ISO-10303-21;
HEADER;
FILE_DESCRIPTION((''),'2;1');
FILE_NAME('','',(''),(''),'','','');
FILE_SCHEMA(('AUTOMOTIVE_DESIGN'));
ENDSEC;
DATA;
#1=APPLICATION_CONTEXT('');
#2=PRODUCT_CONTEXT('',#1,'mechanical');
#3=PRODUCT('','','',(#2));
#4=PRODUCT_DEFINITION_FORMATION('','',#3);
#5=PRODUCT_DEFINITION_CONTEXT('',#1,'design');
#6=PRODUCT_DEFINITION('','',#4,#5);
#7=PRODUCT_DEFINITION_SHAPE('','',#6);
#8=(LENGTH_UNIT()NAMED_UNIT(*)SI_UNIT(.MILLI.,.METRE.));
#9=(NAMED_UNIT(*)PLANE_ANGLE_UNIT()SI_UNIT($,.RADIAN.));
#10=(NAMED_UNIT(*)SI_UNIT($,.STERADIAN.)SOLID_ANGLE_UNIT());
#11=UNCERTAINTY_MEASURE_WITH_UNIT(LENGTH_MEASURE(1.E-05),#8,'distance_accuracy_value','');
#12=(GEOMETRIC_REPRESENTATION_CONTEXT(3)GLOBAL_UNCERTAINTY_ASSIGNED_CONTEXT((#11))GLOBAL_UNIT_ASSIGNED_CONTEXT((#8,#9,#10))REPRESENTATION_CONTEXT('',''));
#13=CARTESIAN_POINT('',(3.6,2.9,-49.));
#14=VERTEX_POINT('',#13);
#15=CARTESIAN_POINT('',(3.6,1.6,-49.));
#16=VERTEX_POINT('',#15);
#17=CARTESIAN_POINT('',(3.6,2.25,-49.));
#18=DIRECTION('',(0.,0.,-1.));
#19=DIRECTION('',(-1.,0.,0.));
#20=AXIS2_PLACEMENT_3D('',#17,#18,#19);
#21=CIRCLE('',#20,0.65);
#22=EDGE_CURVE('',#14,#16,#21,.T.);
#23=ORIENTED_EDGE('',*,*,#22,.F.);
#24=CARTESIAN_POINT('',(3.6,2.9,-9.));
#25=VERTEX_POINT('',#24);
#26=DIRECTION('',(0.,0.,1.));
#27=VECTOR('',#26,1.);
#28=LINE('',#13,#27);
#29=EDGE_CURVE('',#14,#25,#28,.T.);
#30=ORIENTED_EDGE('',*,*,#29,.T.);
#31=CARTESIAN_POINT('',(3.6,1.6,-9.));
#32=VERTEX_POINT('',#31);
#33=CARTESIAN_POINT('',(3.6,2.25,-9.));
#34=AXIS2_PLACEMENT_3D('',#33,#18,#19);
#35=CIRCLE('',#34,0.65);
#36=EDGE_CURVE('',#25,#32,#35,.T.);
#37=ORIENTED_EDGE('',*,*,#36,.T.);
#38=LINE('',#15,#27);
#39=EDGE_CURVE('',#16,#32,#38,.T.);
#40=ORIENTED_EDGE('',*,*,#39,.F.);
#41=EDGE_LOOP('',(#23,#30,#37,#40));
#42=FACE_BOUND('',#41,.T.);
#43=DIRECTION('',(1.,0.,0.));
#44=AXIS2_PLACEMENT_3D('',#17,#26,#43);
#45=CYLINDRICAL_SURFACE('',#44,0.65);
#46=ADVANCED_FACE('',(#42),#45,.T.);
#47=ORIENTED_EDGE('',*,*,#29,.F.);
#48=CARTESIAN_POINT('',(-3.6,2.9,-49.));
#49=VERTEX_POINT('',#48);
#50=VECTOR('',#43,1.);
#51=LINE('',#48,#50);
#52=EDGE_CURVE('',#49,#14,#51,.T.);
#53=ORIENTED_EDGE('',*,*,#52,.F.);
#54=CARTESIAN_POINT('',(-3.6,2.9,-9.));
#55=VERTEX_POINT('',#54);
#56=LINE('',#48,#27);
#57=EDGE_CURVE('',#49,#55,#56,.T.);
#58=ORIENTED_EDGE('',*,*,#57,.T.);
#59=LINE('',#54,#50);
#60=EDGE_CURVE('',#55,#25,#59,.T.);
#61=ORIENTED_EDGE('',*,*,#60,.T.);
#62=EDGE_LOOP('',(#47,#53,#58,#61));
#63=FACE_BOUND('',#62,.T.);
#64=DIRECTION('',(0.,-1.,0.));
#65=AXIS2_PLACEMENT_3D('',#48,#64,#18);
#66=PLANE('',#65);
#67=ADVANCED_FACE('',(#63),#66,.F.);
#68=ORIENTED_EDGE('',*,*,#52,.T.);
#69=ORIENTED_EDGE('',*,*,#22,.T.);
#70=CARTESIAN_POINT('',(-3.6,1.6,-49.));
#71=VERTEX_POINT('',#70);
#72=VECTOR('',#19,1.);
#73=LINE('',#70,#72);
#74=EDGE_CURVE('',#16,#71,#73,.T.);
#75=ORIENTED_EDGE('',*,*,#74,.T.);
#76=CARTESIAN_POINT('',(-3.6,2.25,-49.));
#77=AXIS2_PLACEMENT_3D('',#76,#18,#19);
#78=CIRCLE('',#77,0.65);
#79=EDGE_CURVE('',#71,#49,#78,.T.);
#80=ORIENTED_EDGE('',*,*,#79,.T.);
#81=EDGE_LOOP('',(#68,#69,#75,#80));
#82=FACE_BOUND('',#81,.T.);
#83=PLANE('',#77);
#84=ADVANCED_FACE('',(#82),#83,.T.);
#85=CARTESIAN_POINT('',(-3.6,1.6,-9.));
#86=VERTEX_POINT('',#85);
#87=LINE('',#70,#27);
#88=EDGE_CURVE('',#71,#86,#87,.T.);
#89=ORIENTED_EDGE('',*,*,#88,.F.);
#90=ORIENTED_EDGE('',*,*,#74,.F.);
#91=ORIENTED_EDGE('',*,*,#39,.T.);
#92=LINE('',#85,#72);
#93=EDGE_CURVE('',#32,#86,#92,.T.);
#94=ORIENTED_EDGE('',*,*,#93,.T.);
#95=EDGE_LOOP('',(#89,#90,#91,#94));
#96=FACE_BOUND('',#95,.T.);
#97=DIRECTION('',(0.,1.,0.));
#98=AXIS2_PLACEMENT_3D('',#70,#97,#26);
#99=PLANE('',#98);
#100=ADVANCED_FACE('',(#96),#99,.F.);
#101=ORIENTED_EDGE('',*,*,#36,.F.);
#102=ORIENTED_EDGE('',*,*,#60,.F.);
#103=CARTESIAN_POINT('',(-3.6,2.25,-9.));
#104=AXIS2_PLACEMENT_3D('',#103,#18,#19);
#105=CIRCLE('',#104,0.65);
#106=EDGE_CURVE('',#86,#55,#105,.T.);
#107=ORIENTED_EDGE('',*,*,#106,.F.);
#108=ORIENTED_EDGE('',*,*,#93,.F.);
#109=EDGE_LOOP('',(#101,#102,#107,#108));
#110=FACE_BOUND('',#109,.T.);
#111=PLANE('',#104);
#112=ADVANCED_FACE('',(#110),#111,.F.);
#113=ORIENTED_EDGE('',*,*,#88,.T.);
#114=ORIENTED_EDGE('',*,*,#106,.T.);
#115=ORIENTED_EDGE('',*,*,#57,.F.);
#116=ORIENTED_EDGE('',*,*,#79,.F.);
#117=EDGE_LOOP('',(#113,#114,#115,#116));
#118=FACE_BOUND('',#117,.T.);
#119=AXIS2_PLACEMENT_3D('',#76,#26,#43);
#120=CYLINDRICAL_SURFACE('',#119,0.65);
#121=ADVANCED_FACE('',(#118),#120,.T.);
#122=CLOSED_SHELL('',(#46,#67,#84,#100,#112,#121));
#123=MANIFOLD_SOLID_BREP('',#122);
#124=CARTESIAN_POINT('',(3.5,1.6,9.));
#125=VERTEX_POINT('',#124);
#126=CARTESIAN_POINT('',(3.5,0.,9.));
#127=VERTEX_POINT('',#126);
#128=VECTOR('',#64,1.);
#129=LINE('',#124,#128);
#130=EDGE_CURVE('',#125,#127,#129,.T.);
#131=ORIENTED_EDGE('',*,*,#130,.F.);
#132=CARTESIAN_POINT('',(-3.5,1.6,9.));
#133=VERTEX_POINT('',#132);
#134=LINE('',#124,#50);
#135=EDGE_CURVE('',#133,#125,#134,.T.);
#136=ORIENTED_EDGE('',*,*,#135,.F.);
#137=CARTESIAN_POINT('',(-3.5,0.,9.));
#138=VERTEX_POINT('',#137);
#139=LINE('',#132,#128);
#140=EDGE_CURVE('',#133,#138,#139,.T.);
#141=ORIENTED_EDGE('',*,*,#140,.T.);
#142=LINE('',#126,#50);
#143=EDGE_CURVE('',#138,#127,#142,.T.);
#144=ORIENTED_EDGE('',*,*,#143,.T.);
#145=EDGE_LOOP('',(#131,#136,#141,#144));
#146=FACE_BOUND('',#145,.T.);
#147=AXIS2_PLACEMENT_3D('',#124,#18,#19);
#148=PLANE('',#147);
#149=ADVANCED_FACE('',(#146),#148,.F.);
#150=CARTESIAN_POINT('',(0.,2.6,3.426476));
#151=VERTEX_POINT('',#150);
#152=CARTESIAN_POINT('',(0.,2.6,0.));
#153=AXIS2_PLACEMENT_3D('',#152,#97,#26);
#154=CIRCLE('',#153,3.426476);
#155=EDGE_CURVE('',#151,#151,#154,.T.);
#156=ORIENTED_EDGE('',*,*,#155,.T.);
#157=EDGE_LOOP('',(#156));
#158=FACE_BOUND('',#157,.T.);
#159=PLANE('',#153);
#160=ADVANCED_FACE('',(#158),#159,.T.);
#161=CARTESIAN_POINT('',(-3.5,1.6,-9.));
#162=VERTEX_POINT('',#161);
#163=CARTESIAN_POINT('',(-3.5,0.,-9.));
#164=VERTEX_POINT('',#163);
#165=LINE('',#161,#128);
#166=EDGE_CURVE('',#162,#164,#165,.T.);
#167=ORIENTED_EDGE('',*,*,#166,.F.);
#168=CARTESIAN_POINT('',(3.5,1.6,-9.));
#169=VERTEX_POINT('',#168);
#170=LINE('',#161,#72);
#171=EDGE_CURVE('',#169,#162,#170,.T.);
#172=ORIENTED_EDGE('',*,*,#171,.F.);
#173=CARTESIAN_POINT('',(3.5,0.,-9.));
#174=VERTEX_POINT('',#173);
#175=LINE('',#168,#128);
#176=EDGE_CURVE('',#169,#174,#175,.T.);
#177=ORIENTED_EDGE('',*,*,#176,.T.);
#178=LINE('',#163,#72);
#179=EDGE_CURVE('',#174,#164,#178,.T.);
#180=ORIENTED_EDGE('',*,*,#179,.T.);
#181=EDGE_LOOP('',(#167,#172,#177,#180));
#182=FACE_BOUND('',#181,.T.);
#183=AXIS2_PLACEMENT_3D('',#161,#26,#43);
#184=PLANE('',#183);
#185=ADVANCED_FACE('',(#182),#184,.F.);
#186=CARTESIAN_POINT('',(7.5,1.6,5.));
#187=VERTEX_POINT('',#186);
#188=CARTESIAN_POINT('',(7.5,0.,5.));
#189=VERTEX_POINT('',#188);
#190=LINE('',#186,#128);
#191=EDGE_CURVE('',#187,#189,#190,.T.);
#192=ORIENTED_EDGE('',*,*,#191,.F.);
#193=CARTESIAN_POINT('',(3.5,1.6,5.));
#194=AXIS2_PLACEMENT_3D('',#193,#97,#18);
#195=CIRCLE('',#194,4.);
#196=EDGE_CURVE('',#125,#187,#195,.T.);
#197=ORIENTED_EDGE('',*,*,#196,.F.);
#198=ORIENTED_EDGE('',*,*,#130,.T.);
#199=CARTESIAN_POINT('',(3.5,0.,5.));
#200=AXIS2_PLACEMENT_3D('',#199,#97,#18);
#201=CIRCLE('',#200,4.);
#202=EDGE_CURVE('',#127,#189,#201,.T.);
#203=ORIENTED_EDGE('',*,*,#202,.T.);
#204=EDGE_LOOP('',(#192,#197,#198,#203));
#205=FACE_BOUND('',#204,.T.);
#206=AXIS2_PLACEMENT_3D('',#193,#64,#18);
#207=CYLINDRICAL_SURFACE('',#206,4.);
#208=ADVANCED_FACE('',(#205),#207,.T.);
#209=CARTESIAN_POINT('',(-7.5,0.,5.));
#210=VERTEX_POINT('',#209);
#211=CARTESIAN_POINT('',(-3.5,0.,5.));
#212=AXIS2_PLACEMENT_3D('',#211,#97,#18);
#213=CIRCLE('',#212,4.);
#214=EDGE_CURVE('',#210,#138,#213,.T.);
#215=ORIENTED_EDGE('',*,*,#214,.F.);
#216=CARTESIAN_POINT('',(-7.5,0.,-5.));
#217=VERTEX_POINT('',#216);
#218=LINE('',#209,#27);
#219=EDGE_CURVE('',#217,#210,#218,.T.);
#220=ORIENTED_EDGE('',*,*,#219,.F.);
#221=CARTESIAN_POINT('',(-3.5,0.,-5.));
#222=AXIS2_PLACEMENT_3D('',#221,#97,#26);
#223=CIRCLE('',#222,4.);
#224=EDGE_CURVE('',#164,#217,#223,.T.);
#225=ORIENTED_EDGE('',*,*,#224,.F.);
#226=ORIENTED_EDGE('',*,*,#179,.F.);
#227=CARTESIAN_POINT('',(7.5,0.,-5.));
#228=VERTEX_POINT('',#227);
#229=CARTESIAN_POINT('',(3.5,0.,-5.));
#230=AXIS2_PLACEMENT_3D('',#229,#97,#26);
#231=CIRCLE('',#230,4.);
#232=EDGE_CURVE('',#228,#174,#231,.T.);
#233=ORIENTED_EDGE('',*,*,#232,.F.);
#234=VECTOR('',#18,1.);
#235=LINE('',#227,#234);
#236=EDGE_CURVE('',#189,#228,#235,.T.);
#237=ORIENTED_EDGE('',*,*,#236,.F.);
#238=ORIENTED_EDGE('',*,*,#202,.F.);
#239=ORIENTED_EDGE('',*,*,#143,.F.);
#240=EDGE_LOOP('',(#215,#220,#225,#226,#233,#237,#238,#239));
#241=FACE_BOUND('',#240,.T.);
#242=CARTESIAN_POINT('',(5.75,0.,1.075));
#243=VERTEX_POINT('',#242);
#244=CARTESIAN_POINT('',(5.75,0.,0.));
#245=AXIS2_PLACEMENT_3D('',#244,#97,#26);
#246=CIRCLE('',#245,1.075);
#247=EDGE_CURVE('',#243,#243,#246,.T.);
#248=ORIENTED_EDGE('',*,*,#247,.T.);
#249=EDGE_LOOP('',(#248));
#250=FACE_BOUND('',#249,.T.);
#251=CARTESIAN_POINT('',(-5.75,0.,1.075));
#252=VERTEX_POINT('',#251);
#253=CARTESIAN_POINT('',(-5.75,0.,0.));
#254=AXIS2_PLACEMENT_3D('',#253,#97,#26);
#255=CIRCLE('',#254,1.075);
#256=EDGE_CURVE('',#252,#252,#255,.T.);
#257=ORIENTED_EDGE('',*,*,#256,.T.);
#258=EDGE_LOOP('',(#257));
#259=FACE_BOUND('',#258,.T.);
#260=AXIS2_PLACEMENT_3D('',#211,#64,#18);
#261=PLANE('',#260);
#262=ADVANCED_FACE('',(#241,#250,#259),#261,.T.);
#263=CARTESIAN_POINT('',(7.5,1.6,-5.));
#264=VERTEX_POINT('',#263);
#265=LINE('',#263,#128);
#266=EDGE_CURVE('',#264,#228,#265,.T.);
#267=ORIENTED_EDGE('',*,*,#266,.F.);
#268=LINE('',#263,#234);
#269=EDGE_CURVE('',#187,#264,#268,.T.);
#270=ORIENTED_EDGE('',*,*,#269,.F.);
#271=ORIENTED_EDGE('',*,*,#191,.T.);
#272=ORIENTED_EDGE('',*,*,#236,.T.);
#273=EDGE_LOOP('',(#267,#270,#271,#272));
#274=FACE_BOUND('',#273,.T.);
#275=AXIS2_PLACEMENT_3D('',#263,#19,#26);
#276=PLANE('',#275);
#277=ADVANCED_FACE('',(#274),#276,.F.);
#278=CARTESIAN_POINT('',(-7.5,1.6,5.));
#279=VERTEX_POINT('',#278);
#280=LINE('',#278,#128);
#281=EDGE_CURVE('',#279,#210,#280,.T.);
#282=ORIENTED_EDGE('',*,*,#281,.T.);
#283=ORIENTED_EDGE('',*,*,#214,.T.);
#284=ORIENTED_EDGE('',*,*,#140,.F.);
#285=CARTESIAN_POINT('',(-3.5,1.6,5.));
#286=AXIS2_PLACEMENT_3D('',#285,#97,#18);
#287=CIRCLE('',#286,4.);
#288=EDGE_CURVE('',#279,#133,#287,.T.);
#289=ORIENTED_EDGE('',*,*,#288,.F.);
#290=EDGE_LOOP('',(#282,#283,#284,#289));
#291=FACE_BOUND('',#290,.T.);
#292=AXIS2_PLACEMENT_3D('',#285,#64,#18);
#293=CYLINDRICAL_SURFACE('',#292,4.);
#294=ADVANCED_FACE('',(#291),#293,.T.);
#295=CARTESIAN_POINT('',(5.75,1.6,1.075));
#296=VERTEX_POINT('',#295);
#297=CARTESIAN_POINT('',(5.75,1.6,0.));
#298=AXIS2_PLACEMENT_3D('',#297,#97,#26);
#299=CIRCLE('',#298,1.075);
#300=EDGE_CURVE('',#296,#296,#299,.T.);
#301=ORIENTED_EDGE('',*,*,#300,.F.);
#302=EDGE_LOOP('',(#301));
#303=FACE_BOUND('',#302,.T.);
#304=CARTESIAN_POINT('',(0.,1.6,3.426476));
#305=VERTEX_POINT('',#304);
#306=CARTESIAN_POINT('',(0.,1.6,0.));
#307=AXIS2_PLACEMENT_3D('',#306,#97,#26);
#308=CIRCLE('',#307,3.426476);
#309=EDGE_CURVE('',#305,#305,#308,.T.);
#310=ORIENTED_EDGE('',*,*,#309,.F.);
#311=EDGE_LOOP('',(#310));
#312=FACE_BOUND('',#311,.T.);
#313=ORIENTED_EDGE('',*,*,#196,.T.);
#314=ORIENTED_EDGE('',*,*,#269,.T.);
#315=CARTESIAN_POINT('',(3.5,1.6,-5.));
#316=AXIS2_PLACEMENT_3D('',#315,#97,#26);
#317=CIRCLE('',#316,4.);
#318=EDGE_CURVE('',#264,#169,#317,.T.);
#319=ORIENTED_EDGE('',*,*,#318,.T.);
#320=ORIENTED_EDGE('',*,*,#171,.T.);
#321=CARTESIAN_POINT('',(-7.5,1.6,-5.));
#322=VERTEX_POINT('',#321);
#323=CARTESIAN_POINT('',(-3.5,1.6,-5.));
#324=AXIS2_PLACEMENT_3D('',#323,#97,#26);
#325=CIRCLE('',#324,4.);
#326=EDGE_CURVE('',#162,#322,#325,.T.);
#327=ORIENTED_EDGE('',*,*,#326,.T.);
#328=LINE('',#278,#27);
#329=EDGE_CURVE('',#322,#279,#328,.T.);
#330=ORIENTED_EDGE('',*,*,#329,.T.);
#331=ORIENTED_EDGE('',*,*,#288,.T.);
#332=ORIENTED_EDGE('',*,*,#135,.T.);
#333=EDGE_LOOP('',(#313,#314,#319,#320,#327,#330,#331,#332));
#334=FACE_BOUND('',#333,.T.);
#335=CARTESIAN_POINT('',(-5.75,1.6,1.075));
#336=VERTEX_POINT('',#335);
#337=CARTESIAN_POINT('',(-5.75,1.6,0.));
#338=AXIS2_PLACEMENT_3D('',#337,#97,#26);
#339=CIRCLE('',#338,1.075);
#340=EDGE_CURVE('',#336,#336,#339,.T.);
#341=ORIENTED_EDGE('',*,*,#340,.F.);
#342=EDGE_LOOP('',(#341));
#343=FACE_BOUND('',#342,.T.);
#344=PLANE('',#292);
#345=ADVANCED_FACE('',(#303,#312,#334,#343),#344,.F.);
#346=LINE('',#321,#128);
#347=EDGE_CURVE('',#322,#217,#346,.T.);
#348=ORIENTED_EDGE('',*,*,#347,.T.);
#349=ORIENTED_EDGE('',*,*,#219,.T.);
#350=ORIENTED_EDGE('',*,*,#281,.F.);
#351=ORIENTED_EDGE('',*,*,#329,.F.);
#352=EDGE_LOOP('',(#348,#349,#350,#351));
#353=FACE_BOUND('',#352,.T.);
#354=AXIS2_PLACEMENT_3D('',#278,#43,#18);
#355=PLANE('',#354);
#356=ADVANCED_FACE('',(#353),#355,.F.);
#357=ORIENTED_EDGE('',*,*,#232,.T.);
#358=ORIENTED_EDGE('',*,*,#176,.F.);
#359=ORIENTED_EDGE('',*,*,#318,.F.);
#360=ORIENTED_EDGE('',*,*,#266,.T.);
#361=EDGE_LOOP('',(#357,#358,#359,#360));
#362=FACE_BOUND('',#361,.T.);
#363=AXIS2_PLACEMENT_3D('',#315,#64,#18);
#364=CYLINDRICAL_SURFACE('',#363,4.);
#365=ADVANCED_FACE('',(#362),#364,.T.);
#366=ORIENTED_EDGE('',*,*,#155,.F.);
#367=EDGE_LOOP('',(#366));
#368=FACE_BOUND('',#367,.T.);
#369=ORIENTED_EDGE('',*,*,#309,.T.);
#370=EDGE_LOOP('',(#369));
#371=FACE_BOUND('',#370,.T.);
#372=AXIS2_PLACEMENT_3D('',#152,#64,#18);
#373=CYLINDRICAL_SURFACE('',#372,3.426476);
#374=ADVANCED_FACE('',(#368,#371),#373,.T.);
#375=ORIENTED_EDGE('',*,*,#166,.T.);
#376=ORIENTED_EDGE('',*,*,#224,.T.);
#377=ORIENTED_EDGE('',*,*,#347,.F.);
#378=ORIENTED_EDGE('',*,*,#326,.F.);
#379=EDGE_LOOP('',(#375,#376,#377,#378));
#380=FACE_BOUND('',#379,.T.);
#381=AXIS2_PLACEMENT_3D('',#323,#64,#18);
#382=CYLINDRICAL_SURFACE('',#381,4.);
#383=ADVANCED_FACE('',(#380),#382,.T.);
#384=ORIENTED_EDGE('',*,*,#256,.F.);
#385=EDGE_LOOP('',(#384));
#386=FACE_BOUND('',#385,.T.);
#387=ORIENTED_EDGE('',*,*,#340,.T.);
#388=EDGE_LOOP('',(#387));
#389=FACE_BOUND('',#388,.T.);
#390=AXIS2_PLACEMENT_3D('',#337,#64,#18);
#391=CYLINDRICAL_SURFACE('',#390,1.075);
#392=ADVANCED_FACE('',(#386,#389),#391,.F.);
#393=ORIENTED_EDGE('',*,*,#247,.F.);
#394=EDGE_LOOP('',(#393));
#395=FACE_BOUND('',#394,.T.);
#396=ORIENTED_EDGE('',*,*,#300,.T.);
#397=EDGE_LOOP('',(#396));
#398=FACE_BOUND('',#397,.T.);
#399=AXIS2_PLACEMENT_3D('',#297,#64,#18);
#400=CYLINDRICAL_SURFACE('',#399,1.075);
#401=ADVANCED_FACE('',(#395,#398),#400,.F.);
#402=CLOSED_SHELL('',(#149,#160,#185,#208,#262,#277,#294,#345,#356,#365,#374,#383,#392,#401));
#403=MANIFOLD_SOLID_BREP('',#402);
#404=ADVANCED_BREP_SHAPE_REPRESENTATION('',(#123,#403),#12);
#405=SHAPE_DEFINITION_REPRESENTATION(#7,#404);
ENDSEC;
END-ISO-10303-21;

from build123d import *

# Parameters (mm, degrees)
SKETCH1_R           = 1.075
BOSS_EXTRUDE1_DEPTH = 1.6
SKETCH2_R           = 3.426475787
BOSS_EXTRUDE2_DEPTH = 1
BOSS_EXTRUDE3_DEPTH = 40


with BuildPart() as part:
    # Sketch1 → Boss-Extrude1 (new body)
    with BuildSketch(Plane(origin=(0, 0, 0), x_dir=(1, 0, 0), z_dir=(0, 1, 0))):
        with BuildLine():
            Line((-3.5, 9), (3.5, 9))
            ThreePointArc((3.5, 9), (6.328427125, 7.828427125), (7.5, 5))
            Line((7.5, 5), (7.5, -5))
            ThreePointArc((7.5, -5), (6.328427125, -7.828427125), (3.5, -9))
            Line((3.5, -9), (-3.5, -9))
            ThreePointArc((-3.5, -9), (-6.328427125, -7.828427125), (-7.5, -5))
            Line((-7.5, -5), (-7.5, 5))
            ThreePointArc((-7.5, 5), (-6.328427125, 7.828427125), (-3.5, 9))
        make_face()
        with Locations(Location((-5.75, 0, 0), (0, 0, 270))):
            Circle(SKETCH1_R, mode=Mode.SUBTRACT)
        with Locations(Location((5.75, 0, 0), (0, 0, 270))):
            Circle(SKETCH1_R, mode=Mode.SUBTRACT)
    extrude(amount=BOSS_EXTRUDE1_DEPTH)

    # Sketch2 → Boss-Extrude2 (add)
    with BuildSketch(Plane(origin=(0, 1.6, 0), x_dir=(1, 0, 0), z_dir=(0, 1, 0))):
        with Locations(Location((0, 0, 0), (0, 0, 270))):
            Circle(SKETCH2_R)
    extrude(amount=BOSS_EXTRUDE2_DEPTH)


with BuildPart() as body_2:
    # Sketch4 → Boss-Extrude3 (new body)
    with BuildSketch(Plane(origin=(0, 0, -9), x_dir=(-1, 0, 0), z_dir=(0, 0, -1))):
        with BuildLine():
            Line((3.6, 1.6), (-3.6, 1.6))
            ThreePointArc((-3.6, 1.6), (-4.25, 2.25), (-3.6, 2.9))
            Line((-3.6, 2.9), (3.6, 2.9))
            ThreePointArc((3.6, 2.9), (4.25, 2.25), (3.6, 1.6))
        make_face()
    extrude(amount=BOSS_EXTRUDE3_DEPTH)


solid = Compound([part.part, body_2.part])
